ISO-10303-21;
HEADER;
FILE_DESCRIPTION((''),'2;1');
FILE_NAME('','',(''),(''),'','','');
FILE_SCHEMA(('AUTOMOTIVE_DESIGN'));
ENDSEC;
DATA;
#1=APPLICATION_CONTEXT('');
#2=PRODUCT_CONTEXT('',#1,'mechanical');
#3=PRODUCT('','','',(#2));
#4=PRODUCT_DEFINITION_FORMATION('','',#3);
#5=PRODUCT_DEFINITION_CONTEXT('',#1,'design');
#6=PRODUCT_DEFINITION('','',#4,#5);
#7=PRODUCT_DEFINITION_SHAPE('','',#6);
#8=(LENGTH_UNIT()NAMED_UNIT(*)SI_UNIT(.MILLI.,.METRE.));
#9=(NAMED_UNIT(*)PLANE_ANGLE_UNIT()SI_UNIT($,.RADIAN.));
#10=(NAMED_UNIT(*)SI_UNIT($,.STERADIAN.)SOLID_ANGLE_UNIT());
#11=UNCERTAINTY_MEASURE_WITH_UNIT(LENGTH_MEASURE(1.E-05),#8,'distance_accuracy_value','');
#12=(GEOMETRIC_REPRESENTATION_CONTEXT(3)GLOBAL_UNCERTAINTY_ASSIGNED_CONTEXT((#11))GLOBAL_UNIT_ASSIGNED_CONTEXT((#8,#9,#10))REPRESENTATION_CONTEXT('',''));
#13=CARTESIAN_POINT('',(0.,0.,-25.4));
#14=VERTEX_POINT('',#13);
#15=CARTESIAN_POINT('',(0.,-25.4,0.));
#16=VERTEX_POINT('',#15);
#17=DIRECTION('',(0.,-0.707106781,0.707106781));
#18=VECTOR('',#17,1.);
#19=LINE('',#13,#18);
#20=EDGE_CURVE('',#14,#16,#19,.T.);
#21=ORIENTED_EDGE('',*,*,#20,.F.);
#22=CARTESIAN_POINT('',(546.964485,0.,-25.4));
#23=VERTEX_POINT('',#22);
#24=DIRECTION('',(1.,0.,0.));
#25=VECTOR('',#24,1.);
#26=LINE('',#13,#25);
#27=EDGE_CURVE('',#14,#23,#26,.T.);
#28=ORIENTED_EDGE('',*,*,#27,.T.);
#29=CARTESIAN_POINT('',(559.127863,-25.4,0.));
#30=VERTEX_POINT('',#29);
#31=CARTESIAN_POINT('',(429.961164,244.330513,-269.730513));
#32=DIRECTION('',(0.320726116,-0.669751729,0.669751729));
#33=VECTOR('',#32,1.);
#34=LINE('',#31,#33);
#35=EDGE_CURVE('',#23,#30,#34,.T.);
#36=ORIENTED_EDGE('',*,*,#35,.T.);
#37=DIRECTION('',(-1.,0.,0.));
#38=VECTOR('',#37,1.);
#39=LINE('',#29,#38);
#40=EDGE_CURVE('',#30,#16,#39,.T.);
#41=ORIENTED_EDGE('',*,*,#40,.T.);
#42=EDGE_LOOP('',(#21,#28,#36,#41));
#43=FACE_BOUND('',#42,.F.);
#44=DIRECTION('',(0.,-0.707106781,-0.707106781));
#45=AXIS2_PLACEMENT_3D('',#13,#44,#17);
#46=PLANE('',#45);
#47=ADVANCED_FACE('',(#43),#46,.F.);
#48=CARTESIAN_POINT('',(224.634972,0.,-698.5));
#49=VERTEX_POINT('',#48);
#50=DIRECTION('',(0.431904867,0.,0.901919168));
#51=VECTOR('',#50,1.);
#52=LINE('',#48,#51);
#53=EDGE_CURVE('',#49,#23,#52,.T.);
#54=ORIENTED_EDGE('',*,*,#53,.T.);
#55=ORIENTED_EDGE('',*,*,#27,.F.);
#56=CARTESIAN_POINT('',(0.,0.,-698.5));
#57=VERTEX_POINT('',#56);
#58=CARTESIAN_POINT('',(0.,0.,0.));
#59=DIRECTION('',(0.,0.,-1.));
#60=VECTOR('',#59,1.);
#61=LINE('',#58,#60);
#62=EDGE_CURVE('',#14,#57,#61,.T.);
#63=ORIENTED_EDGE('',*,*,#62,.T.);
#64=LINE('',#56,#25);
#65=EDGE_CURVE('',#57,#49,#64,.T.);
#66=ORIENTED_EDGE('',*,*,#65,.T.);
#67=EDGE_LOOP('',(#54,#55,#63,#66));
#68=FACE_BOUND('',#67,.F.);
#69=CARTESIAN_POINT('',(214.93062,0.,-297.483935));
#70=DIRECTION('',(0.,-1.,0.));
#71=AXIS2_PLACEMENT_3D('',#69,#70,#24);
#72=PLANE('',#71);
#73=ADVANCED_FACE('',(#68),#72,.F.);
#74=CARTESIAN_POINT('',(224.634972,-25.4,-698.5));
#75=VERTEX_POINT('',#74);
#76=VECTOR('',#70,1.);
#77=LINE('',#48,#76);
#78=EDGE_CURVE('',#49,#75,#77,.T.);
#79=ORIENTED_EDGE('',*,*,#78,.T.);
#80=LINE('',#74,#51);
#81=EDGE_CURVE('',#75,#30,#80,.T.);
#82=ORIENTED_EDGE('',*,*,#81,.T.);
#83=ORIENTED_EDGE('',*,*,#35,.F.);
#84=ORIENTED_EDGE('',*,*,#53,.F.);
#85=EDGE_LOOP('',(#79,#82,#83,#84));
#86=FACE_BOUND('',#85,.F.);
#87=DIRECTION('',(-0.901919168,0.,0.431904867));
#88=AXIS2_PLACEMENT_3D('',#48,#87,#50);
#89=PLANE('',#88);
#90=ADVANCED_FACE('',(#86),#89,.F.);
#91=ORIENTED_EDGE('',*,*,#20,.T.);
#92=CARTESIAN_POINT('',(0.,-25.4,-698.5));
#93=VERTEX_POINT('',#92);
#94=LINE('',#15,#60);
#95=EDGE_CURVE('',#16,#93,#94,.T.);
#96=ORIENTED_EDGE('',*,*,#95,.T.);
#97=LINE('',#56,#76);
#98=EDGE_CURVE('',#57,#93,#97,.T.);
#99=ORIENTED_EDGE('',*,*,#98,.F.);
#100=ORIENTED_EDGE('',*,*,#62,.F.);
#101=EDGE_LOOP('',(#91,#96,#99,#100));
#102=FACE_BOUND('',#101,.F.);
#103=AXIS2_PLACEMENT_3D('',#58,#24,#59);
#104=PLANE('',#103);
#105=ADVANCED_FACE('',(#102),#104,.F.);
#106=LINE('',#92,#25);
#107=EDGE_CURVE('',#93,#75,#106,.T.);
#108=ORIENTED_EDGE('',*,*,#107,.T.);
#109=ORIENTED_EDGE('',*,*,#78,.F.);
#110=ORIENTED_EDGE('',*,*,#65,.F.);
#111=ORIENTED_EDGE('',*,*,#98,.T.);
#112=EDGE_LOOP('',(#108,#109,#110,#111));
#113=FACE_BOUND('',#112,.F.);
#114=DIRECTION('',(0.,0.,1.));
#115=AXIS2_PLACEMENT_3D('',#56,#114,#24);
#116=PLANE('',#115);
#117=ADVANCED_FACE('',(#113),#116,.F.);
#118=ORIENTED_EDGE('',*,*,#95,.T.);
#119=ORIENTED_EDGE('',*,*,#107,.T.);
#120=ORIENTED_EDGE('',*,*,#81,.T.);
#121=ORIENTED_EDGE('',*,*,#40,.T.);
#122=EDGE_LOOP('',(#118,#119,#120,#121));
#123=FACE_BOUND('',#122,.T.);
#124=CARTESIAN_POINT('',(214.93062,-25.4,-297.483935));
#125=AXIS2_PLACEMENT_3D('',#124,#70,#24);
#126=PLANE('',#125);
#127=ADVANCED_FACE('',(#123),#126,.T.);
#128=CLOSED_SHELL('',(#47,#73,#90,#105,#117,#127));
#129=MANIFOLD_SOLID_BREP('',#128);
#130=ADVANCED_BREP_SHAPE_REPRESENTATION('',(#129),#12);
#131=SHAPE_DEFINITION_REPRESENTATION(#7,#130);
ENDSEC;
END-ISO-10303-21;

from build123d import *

# Parameters (mm, degrees)
F1_DEPTH = 25.4
F3_DEPTH = 559.128863


with BuildPart() as f1:
    # F0 (on Front) → F1 (new body)
    with BuildSketch(Plane.XZ):
        Polygon((559.127863, 0), (0, 0), (0, -698.5), (224.634972, -698.5), align=None)
    extrude(amount=F1_DEPTH)

    # F2 (on face) → F3 (cut, through all)
    with BuildSketch(Plane(origin=(0, 0, 0), x_dir=(0, -1, 0), z_dir=(-1, 0, 0))):
        Polygon((0, -25.4), (25.4, 0), (0, 0), align=None)
    extrude(amount=-F3_DEPTH, mode=Mode.SUBTRACT)


solid = f1.part
